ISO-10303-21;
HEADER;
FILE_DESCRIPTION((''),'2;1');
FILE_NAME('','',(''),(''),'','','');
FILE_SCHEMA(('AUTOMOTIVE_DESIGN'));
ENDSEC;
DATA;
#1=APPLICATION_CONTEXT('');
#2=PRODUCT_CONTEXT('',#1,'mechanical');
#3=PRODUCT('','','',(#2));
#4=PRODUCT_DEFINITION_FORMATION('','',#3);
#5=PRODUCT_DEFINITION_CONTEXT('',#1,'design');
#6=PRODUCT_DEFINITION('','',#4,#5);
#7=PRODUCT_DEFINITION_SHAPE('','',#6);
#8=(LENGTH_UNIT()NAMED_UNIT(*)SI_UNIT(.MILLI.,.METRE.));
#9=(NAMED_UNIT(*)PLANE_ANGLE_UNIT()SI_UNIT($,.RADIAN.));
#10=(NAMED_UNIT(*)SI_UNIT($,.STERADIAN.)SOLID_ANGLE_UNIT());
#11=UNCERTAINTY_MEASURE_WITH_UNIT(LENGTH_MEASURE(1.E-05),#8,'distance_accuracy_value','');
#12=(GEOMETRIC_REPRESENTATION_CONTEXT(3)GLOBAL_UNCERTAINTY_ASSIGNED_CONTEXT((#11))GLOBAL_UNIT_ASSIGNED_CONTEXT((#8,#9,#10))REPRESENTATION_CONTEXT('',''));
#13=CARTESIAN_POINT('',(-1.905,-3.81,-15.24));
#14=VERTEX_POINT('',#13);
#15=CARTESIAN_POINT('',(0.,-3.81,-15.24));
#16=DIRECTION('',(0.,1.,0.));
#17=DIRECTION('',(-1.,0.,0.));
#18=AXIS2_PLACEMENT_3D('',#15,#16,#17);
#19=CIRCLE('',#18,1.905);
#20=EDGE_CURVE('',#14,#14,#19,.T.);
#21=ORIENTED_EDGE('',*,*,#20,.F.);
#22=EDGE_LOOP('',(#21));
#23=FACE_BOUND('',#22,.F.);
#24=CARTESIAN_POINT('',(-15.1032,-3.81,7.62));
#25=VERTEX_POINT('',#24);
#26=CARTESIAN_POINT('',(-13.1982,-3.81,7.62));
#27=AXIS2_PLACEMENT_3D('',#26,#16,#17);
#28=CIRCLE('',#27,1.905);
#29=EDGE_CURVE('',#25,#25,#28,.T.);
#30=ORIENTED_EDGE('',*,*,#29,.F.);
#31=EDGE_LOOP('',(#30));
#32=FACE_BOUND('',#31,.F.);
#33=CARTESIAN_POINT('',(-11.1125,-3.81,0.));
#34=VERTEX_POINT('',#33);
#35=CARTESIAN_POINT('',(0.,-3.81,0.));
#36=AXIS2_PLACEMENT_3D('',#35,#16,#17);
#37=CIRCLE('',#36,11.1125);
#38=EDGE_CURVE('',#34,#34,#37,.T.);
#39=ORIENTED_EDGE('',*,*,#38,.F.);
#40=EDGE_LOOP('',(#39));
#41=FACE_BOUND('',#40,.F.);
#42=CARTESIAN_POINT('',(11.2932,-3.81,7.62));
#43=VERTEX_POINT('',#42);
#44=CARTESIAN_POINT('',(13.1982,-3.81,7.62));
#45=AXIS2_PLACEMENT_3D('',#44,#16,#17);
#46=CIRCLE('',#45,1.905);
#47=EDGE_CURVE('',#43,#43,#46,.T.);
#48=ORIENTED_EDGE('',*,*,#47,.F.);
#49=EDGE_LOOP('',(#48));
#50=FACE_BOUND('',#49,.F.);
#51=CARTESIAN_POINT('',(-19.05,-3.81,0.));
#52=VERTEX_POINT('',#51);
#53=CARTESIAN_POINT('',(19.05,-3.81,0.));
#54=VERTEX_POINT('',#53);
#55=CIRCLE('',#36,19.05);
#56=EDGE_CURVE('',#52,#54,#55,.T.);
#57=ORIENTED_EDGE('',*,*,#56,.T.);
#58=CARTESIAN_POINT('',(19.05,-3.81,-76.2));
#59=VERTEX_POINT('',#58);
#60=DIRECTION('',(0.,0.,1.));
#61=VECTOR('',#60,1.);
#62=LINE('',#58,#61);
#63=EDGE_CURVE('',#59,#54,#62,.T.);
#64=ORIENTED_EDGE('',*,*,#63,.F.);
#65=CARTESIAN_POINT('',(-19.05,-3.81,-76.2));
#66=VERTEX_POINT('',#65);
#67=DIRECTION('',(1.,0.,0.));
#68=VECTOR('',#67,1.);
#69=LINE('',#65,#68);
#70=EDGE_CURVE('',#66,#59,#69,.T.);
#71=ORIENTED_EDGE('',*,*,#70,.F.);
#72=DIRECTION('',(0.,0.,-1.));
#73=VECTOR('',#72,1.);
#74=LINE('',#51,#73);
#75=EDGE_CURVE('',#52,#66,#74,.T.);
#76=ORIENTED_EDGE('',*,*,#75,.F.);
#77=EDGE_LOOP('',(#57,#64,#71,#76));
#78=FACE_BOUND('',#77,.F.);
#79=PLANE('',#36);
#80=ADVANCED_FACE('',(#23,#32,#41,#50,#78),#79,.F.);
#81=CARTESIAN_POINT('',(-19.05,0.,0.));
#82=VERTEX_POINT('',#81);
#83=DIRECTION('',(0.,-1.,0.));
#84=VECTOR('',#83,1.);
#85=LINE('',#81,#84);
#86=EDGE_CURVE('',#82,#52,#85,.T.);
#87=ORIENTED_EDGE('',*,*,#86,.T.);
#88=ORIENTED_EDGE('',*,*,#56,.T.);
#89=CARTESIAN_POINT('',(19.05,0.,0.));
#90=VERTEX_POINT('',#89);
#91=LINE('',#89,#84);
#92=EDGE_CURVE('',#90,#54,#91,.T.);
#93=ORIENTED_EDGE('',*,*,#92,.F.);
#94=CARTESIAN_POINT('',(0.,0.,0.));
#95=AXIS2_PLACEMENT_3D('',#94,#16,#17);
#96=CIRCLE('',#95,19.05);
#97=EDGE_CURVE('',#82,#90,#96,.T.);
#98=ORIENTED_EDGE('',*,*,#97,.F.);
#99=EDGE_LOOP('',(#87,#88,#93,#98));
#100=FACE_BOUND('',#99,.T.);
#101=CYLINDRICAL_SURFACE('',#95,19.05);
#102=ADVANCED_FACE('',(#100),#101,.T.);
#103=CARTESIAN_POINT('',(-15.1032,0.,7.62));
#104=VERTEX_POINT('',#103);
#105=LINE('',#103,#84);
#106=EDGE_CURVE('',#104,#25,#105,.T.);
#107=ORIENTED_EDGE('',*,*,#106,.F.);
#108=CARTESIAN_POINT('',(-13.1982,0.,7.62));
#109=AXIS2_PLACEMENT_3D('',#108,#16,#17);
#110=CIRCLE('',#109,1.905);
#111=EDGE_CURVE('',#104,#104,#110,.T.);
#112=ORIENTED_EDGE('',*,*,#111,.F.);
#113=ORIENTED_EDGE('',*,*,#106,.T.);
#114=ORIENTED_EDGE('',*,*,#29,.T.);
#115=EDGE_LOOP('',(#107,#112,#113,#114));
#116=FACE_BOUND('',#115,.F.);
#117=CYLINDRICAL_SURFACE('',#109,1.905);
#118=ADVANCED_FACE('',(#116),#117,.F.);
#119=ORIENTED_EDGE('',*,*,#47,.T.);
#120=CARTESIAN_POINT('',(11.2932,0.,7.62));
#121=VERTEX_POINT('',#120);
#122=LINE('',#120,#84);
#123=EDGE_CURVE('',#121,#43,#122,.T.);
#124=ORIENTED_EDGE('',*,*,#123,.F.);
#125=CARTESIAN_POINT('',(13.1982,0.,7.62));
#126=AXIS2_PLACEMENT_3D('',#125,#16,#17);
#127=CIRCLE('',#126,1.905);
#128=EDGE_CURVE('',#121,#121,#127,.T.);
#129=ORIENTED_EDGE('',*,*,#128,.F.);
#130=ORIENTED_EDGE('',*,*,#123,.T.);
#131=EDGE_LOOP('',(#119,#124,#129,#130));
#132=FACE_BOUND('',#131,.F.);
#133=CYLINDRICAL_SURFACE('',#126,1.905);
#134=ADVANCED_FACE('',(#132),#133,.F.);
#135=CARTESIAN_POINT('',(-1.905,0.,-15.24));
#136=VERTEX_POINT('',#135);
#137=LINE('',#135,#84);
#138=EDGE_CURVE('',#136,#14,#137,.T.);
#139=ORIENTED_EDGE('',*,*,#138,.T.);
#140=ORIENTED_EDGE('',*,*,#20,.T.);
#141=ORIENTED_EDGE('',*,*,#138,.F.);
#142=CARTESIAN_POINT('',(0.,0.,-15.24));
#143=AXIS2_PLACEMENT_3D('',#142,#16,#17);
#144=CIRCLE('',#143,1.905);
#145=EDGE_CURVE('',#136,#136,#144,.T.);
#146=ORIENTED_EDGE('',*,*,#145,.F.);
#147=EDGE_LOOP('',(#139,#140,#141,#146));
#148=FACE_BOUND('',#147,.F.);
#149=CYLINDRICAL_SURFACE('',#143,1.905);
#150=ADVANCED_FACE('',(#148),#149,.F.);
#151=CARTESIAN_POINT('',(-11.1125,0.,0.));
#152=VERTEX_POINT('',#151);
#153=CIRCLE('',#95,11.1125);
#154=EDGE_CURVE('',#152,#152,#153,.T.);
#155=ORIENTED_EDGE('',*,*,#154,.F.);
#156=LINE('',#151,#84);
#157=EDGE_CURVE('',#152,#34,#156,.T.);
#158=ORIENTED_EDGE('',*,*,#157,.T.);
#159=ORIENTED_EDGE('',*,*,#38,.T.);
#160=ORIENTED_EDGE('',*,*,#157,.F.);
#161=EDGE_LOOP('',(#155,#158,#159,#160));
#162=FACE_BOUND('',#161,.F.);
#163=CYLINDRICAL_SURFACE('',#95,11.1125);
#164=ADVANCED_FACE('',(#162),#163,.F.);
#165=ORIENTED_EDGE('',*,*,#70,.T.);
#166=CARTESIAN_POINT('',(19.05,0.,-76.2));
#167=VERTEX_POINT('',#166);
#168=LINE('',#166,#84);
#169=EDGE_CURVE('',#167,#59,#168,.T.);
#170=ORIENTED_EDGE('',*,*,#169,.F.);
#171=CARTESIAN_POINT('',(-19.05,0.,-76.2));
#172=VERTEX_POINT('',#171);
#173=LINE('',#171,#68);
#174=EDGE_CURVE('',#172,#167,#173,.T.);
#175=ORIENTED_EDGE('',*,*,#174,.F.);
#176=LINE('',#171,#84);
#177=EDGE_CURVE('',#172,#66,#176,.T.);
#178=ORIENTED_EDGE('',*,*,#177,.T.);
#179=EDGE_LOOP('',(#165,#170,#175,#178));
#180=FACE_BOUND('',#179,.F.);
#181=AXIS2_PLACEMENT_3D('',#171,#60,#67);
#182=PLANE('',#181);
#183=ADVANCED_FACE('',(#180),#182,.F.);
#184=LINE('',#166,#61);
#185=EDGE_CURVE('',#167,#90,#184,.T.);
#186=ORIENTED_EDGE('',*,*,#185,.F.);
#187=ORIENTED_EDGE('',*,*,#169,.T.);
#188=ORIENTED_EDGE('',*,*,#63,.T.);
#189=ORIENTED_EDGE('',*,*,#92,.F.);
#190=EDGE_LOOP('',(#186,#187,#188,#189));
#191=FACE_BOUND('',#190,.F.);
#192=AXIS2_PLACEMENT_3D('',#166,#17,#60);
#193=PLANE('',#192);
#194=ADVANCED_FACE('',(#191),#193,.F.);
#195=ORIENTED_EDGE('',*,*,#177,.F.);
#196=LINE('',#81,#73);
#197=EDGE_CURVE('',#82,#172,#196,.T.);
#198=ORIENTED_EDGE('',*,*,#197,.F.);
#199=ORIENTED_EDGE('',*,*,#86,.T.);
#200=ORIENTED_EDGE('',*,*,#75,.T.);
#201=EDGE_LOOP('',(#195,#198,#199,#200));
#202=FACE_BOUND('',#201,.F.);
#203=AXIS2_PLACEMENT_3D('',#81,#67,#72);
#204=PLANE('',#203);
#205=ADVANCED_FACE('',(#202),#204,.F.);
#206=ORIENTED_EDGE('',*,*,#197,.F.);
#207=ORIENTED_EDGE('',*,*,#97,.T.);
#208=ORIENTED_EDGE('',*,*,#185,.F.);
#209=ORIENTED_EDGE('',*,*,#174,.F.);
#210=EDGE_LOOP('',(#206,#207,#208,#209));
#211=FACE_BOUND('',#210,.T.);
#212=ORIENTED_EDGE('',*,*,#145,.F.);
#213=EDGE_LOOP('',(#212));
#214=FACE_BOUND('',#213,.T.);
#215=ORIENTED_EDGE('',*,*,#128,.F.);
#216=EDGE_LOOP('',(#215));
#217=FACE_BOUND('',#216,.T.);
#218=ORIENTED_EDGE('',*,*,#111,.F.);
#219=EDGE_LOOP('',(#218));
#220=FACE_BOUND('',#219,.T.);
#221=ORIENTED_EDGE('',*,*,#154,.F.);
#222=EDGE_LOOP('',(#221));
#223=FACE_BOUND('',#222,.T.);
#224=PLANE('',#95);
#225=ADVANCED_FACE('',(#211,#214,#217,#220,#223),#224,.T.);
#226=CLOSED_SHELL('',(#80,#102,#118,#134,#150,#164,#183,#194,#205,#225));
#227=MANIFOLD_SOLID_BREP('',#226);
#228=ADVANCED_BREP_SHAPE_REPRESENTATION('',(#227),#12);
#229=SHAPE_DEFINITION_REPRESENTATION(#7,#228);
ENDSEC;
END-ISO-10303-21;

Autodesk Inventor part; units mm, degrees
ref_plane "YZ Plane" through (0, 0, 0) normal (1, 0, 0) x (0, 1, 0)
ref_plane "XZ Plane" through (0, 0, 0) normal (0, 1, 0) x (-1, 0, 0)
ref_plane "XY Plane" through (0, 0, 0) normal (0, 0, 1) x (1, 0, 0)
sketch "Sketch1" plane through (0, 0, 0) normal (0, 1, 0) x (-1, 0, 0)
  circle A0 centre (0, 0) radius 15.24 construction
  circle A1 centre (0, -15.24) radius 1.905
  circle A2 centre (13.1982, 7.62) radius 1.905
  circle A3 centre (-13.1982, 7.62) radius 1.905
  arc A4 (19.05, 0) -> (-19.05, 0) centre (0, 0) ccw
  line L0 (19.05, 0) -> (19.05, -76.2)
  line L1 (19.05, -76.2) -> (-19.05, -76.2)
  line L2 (-19.05, -76.2) -> (-19.05, 0)
  circle A5 centre (0, 0) radius 11.1125
  point P0 (0, -19.05)
  point P1 (0, 19.05)
  dimension "boltHoleDiameter" = 30.48
  dimension "d1" = 3.81
  dimension "d4" = 360
  dimension "exteriorOfBolts" = 38.1
  dimension "majorLength" = 76.2
  dimension "d12" = 22.225
extrude "Extrusion2" add sketch "Sketch1" against normal blind 3.81
properties part number "Focuser Base"
